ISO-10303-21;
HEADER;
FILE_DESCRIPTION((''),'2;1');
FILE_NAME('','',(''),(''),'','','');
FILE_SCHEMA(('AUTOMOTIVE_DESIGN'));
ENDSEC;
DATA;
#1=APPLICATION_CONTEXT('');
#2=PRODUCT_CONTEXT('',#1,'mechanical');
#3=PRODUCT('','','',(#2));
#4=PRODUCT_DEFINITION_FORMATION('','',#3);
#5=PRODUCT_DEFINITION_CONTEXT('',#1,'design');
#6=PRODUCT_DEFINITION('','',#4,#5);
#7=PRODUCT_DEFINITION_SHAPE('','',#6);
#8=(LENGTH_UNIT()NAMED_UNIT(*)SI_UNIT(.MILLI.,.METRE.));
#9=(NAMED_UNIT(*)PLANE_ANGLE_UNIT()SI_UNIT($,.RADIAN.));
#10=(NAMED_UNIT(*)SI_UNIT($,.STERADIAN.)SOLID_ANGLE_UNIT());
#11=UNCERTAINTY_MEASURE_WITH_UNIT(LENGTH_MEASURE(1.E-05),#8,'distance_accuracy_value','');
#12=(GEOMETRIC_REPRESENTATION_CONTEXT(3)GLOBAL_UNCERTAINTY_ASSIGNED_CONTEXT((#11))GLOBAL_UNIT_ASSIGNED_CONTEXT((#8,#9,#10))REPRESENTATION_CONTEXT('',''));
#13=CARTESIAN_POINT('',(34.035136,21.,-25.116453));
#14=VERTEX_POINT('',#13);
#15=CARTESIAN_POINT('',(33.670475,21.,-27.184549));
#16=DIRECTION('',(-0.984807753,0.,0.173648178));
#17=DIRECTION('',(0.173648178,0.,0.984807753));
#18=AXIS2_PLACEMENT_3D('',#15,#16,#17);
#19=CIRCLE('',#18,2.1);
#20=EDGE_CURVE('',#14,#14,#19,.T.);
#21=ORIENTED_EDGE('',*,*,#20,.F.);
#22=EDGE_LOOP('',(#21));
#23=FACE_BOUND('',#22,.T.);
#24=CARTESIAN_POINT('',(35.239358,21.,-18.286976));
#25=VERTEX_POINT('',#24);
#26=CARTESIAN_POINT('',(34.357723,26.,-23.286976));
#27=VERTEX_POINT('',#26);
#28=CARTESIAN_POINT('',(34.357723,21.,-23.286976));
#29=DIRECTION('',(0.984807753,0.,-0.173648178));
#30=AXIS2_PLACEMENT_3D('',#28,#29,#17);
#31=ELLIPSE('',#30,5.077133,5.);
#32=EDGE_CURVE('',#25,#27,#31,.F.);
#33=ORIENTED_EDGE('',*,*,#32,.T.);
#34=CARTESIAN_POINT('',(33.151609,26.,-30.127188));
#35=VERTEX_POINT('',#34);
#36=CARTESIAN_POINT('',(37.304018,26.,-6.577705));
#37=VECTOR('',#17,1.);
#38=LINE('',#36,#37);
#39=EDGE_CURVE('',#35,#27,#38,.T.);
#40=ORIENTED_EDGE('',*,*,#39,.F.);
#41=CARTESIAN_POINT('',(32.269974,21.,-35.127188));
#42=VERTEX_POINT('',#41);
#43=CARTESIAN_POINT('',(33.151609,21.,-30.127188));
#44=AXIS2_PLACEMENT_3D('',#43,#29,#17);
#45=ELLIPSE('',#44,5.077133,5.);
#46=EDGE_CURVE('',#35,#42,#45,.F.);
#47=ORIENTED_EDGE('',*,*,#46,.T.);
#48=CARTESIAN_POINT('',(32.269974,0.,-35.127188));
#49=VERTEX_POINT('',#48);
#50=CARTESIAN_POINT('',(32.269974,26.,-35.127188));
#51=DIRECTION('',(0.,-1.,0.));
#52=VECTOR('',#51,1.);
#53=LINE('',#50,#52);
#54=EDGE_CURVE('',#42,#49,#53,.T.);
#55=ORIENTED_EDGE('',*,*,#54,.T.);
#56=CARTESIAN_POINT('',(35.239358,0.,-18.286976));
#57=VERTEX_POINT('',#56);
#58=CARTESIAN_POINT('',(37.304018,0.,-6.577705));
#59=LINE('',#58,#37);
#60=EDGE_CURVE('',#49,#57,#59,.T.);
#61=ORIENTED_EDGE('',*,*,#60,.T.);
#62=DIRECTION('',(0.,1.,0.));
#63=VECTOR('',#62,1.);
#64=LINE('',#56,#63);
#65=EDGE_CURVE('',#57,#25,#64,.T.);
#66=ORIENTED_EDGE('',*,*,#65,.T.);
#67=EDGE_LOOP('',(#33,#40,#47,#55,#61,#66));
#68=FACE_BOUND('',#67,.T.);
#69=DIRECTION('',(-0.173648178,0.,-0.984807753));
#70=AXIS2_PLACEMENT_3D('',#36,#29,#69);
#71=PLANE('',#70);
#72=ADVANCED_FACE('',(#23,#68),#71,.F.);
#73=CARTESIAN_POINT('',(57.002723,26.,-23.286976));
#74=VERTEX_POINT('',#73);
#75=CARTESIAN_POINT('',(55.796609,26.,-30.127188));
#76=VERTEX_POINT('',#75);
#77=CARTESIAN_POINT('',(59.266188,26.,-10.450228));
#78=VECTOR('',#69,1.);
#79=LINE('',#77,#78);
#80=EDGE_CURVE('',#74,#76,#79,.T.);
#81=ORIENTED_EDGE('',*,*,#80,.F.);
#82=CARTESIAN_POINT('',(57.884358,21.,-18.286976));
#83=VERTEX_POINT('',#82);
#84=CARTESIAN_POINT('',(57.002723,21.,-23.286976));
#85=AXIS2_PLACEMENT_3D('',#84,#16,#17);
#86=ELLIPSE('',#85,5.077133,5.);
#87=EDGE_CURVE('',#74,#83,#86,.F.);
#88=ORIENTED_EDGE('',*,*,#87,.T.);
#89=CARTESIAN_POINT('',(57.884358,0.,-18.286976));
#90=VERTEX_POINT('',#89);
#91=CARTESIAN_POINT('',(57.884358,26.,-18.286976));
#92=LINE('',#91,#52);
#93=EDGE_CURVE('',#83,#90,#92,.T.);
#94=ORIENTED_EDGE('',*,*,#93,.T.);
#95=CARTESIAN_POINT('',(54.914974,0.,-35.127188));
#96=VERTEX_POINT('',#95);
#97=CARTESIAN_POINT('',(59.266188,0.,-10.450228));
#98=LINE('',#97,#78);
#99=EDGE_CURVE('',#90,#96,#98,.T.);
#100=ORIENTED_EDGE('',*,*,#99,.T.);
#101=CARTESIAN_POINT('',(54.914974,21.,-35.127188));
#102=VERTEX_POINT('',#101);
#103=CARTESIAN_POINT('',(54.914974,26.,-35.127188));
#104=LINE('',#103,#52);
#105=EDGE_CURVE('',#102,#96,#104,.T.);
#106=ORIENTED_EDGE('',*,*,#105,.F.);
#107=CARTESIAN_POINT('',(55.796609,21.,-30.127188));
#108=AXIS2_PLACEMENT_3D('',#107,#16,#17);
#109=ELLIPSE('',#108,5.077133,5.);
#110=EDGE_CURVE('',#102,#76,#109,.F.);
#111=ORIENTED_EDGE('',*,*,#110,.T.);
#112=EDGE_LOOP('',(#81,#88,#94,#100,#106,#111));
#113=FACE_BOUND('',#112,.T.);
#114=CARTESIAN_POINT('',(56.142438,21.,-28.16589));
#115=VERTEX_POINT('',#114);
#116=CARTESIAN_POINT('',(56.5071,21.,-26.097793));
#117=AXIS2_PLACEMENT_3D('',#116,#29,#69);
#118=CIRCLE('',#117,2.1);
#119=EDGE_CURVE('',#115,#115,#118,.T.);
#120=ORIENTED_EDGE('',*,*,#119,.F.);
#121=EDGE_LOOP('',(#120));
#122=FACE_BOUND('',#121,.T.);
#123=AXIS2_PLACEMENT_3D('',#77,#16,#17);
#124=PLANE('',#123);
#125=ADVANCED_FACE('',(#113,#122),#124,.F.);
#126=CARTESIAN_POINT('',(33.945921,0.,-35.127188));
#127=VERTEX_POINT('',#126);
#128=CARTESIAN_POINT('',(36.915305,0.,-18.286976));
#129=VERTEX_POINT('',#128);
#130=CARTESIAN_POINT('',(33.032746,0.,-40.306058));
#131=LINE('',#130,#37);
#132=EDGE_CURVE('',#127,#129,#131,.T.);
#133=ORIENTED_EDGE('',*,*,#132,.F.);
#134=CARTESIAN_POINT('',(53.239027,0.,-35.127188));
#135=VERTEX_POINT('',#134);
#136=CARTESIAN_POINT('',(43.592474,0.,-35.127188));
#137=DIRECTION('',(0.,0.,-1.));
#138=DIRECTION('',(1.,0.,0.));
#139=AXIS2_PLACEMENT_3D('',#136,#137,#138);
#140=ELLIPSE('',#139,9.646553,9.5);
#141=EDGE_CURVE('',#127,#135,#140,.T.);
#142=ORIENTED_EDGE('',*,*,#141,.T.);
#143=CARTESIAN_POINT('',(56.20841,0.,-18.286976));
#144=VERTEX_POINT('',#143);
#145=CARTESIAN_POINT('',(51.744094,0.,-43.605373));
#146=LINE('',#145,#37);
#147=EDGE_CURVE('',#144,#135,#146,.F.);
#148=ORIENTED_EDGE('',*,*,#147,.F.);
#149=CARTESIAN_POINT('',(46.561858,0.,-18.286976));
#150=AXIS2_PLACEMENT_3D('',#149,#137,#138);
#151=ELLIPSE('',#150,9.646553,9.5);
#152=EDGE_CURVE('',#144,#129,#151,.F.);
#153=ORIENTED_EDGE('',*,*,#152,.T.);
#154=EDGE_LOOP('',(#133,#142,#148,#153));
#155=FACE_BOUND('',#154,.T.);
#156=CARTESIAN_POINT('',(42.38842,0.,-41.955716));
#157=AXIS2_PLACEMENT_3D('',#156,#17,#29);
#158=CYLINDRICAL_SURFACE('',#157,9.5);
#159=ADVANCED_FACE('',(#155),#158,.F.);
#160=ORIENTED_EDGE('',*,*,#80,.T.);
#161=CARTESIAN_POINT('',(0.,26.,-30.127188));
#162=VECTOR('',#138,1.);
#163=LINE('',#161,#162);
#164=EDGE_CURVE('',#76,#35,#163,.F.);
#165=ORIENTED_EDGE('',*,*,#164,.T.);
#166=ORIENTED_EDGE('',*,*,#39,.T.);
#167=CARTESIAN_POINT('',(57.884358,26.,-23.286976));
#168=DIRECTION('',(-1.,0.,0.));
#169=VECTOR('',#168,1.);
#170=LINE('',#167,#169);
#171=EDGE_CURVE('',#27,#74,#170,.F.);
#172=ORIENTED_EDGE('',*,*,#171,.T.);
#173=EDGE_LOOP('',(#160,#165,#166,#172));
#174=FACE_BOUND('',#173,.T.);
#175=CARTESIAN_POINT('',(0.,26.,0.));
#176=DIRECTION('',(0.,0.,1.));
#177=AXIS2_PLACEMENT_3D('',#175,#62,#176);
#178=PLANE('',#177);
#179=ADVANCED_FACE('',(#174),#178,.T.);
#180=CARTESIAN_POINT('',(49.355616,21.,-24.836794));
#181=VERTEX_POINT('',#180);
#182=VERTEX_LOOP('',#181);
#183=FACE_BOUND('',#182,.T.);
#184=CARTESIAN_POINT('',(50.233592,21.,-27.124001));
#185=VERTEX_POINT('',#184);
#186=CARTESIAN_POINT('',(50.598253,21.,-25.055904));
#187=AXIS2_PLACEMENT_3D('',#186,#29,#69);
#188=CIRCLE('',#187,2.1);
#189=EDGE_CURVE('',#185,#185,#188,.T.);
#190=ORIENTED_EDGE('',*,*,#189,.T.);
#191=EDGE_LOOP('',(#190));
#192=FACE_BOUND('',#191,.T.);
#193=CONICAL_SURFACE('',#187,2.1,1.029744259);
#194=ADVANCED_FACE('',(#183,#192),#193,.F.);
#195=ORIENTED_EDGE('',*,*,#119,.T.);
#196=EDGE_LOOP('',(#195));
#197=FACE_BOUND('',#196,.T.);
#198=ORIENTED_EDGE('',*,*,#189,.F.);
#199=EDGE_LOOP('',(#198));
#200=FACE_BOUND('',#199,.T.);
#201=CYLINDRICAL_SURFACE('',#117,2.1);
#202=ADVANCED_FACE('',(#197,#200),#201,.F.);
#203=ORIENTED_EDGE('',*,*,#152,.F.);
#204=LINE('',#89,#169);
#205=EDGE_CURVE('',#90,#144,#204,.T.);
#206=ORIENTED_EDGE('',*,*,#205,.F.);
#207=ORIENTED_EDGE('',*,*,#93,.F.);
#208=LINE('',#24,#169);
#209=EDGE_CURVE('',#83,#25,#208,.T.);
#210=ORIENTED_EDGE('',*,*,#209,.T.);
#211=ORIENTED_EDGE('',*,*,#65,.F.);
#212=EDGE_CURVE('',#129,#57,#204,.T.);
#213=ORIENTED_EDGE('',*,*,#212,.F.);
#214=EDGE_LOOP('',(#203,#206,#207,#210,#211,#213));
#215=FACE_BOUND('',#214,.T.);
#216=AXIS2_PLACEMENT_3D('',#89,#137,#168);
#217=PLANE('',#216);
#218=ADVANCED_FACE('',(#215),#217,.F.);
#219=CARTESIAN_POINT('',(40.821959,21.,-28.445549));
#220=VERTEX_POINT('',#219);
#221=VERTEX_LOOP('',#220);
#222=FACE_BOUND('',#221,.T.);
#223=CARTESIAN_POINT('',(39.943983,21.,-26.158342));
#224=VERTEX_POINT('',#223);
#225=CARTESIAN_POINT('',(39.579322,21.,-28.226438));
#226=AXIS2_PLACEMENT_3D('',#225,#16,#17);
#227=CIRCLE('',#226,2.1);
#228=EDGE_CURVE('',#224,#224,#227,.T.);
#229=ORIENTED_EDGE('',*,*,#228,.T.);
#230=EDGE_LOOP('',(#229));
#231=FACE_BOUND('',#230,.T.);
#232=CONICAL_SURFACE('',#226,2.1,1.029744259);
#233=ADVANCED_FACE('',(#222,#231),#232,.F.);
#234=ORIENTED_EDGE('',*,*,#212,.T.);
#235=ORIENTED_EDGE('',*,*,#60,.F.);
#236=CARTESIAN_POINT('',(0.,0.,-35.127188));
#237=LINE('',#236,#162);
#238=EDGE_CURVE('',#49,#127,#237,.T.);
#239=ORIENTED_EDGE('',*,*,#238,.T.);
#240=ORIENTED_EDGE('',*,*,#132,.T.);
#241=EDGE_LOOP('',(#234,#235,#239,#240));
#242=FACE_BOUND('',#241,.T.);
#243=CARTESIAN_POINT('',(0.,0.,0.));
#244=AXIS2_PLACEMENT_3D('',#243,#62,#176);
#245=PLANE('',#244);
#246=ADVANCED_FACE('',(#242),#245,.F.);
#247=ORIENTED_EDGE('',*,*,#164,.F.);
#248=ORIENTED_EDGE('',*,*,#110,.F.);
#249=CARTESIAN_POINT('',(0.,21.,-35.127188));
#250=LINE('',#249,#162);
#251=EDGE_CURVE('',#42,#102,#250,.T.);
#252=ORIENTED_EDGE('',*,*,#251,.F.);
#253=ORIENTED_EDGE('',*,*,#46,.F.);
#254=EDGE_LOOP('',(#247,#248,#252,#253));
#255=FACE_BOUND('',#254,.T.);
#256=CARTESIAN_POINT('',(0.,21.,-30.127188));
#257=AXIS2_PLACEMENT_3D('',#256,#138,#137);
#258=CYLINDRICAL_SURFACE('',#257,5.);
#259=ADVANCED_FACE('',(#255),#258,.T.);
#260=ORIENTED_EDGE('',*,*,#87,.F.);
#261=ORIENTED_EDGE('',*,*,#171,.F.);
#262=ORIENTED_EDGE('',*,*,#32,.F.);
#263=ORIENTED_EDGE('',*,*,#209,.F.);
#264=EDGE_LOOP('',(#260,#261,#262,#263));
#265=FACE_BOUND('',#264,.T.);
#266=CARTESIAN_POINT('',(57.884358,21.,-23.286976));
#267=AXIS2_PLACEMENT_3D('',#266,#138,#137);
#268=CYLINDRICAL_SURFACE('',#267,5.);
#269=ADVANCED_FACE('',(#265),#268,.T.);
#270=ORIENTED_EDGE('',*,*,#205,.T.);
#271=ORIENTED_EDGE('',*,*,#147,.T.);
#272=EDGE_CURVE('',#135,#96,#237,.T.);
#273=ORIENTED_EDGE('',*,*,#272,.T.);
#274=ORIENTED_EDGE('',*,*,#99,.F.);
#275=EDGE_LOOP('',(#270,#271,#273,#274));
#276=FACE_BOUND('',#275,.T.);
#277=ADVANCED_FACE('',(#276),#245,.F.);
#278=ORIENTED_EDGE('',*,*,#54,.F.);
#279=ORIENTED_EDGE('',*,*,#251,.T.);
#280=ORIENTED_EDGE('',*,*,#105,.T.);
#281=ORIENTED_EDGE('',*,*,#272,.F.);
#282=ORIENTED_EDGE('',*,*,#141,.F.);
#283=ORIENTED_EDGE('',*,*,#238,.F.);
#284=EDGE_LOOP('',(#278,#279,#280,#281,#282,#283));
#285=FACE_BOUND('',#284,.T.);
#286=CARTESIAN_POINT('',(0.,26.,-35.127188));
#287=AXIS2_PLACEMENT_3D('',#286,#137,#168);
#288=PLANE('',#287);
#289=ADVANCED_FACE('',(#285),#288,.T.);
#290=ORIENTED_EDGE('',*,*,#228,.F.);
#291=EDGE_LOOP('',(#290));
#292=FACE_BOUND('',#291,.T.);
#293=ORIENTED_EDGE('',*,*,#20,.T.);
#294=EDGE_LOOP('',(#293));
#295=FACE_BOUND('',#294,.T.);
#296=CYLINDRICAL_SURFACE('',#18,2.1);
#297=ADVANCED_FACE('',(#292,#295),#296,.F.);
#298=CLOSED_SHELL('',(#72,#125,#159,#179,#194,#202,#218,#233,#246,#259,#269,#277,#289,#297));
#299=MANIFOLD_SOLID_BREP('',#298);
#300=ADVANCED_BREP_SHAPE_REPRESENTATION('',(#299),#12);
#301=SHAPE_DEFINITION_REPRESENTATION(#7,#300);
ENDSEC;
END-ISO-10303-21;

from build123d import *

# Parameters (mm, degrees)
BOSS_EXTRUDE1_DEPTH             = 26
CUT_EXTRUDE1_DEPTH              = 26
CUT_EXTRUDE2_DEPTH              = 26
FILLET1_R                       = 5
M5_TAPPED_HOLE1_D               = 4.2
M5_TAPPED_HOLE1_DEPTH           = 6
M5_TAPPED_HOLE1_TIP             = 1.2618073
M5_TAPPED_HOLE1_ON_FACE_2_D     = 4.2
M5_TAPPED_HOLE1_ON_FACE_2_DEPTH = 6
M5_TAPPED_HOLE1_ON_FACE_2_TIP   = 1.2618073


with BuildPart() as part:
    # 草图1 → Boss-Extrude1 (new body)
    with BuildSketch(Plane(origin=(0, 0, 0), x_dir=(1, 0, 0), z_dir=(0, 1, 0))):
        Polygon((35.23935759, 18.286975519), (57.88435759, 18.286975519), (54.914973752, 35.127188096), (32.269973752, 35.127188096), align=None)
        Polygon((35.23935759, 18.286975519), (35.922187891, 14.414452446), (57.88435759, 18.286975519), align=None)
    extrude(amount=BOSS_EXTRUDE1_DEPTH)

    # Sketch1 → Cut-Extrude1 (cut)
    with BuildSketch(Plane(origin=(-1.381830042, 0, -7.836747596), x_dir=(0.984807753012208, 0, -0.17364817766693116), z_dir=(0.17364817766693116, 0, 0.984807753012208))):
        with BuildLine():
            Line((39.529978324, 0), (58.529978324, 0))
            ThreePointArc((58.529978324, 0), (49.029978324, 9.5), (39.529978324, 0))
        make_face()
    extrude(amount=-CUT_EXTRUDE1_DEPTH, mode=Mode.SUBTRACT)

    # Sketch2 → Cut-Extrude2 (cut)
    with BuildSketch(Plane(origin=(0, 26, 0), x_dir=(1, 0, 0), z_dir=(0, 1, 0))):
        Polygon((35.23935759, 18.286975519), (35.922187891, 14.414452446), (57.88435759, 18.286975519), align=None)
    extrude(amount=-CUT_EXTRUDE2_DEPTH, mode=Mode.SUBTRACT)

    # Fillet1
    fillet1_edges = [part.edges().sort_by_distance(p)[0] for p in [
        (43.592473752, 26, -35.127188096),
        (46.56185759, 26, -18.286975519),
    ]]
    fillet(fillet1_edges, radius=FILLET1_R)

    # M5 Tapped Hole1
    with Locations(Plane(origin=(33.670475294, 21, -27.184549163), x_dir=(-0.173648177667, 0, -0.984807753012), z_dir=(-0.984807753012, 0, 0.173648177667))):
        with Locations((0, 0)):
            Hole(M5_TAPPED_HOLE1_D / 2, depth=M5_TAPPED_HOLE1_DEPTH)
            with Locations((0, 0, -(M5_TAPPED_HOLE1_DEPTH + M5_TAPPED_HOLE1_TIP / 2))):  # 118° drill point
                Cone(0, M5_TAPPED_HOLE1_D / 2, M5_TAPPED_HOLE1_TIP, mode=Mode.SUBTRACT)

    # M5 Tapped Hole1 on face 2
    with Locations(Plane(origin=(56.507099646, 21, -26.097793462), x_dir=(0.17364796312, 0, 0.984807790843), z_dir=(0.984807790843, 0, -0.17364796312))):
        with Locations((0, 0)):
            Hole(M5_TAPPED_HOLE1_ON_FACE_2_D / 2, depth=M5_TAPPED_HOLE1_ON_FACE_2_DEPTH)
            with Locations((0, 0, -(M5_TAPPED_HOLE1_ON_FACE_2_DEPTH + M5_TAPPED_HOLE1_ON_FACE_2_TIP / 2))):  # 118° drill point
                Cone(0, M5_TAPPED_HOLE1_ON_FACE_2_D / 2, M5_TAPPED_HOLE1_ON_FACE_2_TIP, mode=Mode.SUBTRACT)


solid = part.part
